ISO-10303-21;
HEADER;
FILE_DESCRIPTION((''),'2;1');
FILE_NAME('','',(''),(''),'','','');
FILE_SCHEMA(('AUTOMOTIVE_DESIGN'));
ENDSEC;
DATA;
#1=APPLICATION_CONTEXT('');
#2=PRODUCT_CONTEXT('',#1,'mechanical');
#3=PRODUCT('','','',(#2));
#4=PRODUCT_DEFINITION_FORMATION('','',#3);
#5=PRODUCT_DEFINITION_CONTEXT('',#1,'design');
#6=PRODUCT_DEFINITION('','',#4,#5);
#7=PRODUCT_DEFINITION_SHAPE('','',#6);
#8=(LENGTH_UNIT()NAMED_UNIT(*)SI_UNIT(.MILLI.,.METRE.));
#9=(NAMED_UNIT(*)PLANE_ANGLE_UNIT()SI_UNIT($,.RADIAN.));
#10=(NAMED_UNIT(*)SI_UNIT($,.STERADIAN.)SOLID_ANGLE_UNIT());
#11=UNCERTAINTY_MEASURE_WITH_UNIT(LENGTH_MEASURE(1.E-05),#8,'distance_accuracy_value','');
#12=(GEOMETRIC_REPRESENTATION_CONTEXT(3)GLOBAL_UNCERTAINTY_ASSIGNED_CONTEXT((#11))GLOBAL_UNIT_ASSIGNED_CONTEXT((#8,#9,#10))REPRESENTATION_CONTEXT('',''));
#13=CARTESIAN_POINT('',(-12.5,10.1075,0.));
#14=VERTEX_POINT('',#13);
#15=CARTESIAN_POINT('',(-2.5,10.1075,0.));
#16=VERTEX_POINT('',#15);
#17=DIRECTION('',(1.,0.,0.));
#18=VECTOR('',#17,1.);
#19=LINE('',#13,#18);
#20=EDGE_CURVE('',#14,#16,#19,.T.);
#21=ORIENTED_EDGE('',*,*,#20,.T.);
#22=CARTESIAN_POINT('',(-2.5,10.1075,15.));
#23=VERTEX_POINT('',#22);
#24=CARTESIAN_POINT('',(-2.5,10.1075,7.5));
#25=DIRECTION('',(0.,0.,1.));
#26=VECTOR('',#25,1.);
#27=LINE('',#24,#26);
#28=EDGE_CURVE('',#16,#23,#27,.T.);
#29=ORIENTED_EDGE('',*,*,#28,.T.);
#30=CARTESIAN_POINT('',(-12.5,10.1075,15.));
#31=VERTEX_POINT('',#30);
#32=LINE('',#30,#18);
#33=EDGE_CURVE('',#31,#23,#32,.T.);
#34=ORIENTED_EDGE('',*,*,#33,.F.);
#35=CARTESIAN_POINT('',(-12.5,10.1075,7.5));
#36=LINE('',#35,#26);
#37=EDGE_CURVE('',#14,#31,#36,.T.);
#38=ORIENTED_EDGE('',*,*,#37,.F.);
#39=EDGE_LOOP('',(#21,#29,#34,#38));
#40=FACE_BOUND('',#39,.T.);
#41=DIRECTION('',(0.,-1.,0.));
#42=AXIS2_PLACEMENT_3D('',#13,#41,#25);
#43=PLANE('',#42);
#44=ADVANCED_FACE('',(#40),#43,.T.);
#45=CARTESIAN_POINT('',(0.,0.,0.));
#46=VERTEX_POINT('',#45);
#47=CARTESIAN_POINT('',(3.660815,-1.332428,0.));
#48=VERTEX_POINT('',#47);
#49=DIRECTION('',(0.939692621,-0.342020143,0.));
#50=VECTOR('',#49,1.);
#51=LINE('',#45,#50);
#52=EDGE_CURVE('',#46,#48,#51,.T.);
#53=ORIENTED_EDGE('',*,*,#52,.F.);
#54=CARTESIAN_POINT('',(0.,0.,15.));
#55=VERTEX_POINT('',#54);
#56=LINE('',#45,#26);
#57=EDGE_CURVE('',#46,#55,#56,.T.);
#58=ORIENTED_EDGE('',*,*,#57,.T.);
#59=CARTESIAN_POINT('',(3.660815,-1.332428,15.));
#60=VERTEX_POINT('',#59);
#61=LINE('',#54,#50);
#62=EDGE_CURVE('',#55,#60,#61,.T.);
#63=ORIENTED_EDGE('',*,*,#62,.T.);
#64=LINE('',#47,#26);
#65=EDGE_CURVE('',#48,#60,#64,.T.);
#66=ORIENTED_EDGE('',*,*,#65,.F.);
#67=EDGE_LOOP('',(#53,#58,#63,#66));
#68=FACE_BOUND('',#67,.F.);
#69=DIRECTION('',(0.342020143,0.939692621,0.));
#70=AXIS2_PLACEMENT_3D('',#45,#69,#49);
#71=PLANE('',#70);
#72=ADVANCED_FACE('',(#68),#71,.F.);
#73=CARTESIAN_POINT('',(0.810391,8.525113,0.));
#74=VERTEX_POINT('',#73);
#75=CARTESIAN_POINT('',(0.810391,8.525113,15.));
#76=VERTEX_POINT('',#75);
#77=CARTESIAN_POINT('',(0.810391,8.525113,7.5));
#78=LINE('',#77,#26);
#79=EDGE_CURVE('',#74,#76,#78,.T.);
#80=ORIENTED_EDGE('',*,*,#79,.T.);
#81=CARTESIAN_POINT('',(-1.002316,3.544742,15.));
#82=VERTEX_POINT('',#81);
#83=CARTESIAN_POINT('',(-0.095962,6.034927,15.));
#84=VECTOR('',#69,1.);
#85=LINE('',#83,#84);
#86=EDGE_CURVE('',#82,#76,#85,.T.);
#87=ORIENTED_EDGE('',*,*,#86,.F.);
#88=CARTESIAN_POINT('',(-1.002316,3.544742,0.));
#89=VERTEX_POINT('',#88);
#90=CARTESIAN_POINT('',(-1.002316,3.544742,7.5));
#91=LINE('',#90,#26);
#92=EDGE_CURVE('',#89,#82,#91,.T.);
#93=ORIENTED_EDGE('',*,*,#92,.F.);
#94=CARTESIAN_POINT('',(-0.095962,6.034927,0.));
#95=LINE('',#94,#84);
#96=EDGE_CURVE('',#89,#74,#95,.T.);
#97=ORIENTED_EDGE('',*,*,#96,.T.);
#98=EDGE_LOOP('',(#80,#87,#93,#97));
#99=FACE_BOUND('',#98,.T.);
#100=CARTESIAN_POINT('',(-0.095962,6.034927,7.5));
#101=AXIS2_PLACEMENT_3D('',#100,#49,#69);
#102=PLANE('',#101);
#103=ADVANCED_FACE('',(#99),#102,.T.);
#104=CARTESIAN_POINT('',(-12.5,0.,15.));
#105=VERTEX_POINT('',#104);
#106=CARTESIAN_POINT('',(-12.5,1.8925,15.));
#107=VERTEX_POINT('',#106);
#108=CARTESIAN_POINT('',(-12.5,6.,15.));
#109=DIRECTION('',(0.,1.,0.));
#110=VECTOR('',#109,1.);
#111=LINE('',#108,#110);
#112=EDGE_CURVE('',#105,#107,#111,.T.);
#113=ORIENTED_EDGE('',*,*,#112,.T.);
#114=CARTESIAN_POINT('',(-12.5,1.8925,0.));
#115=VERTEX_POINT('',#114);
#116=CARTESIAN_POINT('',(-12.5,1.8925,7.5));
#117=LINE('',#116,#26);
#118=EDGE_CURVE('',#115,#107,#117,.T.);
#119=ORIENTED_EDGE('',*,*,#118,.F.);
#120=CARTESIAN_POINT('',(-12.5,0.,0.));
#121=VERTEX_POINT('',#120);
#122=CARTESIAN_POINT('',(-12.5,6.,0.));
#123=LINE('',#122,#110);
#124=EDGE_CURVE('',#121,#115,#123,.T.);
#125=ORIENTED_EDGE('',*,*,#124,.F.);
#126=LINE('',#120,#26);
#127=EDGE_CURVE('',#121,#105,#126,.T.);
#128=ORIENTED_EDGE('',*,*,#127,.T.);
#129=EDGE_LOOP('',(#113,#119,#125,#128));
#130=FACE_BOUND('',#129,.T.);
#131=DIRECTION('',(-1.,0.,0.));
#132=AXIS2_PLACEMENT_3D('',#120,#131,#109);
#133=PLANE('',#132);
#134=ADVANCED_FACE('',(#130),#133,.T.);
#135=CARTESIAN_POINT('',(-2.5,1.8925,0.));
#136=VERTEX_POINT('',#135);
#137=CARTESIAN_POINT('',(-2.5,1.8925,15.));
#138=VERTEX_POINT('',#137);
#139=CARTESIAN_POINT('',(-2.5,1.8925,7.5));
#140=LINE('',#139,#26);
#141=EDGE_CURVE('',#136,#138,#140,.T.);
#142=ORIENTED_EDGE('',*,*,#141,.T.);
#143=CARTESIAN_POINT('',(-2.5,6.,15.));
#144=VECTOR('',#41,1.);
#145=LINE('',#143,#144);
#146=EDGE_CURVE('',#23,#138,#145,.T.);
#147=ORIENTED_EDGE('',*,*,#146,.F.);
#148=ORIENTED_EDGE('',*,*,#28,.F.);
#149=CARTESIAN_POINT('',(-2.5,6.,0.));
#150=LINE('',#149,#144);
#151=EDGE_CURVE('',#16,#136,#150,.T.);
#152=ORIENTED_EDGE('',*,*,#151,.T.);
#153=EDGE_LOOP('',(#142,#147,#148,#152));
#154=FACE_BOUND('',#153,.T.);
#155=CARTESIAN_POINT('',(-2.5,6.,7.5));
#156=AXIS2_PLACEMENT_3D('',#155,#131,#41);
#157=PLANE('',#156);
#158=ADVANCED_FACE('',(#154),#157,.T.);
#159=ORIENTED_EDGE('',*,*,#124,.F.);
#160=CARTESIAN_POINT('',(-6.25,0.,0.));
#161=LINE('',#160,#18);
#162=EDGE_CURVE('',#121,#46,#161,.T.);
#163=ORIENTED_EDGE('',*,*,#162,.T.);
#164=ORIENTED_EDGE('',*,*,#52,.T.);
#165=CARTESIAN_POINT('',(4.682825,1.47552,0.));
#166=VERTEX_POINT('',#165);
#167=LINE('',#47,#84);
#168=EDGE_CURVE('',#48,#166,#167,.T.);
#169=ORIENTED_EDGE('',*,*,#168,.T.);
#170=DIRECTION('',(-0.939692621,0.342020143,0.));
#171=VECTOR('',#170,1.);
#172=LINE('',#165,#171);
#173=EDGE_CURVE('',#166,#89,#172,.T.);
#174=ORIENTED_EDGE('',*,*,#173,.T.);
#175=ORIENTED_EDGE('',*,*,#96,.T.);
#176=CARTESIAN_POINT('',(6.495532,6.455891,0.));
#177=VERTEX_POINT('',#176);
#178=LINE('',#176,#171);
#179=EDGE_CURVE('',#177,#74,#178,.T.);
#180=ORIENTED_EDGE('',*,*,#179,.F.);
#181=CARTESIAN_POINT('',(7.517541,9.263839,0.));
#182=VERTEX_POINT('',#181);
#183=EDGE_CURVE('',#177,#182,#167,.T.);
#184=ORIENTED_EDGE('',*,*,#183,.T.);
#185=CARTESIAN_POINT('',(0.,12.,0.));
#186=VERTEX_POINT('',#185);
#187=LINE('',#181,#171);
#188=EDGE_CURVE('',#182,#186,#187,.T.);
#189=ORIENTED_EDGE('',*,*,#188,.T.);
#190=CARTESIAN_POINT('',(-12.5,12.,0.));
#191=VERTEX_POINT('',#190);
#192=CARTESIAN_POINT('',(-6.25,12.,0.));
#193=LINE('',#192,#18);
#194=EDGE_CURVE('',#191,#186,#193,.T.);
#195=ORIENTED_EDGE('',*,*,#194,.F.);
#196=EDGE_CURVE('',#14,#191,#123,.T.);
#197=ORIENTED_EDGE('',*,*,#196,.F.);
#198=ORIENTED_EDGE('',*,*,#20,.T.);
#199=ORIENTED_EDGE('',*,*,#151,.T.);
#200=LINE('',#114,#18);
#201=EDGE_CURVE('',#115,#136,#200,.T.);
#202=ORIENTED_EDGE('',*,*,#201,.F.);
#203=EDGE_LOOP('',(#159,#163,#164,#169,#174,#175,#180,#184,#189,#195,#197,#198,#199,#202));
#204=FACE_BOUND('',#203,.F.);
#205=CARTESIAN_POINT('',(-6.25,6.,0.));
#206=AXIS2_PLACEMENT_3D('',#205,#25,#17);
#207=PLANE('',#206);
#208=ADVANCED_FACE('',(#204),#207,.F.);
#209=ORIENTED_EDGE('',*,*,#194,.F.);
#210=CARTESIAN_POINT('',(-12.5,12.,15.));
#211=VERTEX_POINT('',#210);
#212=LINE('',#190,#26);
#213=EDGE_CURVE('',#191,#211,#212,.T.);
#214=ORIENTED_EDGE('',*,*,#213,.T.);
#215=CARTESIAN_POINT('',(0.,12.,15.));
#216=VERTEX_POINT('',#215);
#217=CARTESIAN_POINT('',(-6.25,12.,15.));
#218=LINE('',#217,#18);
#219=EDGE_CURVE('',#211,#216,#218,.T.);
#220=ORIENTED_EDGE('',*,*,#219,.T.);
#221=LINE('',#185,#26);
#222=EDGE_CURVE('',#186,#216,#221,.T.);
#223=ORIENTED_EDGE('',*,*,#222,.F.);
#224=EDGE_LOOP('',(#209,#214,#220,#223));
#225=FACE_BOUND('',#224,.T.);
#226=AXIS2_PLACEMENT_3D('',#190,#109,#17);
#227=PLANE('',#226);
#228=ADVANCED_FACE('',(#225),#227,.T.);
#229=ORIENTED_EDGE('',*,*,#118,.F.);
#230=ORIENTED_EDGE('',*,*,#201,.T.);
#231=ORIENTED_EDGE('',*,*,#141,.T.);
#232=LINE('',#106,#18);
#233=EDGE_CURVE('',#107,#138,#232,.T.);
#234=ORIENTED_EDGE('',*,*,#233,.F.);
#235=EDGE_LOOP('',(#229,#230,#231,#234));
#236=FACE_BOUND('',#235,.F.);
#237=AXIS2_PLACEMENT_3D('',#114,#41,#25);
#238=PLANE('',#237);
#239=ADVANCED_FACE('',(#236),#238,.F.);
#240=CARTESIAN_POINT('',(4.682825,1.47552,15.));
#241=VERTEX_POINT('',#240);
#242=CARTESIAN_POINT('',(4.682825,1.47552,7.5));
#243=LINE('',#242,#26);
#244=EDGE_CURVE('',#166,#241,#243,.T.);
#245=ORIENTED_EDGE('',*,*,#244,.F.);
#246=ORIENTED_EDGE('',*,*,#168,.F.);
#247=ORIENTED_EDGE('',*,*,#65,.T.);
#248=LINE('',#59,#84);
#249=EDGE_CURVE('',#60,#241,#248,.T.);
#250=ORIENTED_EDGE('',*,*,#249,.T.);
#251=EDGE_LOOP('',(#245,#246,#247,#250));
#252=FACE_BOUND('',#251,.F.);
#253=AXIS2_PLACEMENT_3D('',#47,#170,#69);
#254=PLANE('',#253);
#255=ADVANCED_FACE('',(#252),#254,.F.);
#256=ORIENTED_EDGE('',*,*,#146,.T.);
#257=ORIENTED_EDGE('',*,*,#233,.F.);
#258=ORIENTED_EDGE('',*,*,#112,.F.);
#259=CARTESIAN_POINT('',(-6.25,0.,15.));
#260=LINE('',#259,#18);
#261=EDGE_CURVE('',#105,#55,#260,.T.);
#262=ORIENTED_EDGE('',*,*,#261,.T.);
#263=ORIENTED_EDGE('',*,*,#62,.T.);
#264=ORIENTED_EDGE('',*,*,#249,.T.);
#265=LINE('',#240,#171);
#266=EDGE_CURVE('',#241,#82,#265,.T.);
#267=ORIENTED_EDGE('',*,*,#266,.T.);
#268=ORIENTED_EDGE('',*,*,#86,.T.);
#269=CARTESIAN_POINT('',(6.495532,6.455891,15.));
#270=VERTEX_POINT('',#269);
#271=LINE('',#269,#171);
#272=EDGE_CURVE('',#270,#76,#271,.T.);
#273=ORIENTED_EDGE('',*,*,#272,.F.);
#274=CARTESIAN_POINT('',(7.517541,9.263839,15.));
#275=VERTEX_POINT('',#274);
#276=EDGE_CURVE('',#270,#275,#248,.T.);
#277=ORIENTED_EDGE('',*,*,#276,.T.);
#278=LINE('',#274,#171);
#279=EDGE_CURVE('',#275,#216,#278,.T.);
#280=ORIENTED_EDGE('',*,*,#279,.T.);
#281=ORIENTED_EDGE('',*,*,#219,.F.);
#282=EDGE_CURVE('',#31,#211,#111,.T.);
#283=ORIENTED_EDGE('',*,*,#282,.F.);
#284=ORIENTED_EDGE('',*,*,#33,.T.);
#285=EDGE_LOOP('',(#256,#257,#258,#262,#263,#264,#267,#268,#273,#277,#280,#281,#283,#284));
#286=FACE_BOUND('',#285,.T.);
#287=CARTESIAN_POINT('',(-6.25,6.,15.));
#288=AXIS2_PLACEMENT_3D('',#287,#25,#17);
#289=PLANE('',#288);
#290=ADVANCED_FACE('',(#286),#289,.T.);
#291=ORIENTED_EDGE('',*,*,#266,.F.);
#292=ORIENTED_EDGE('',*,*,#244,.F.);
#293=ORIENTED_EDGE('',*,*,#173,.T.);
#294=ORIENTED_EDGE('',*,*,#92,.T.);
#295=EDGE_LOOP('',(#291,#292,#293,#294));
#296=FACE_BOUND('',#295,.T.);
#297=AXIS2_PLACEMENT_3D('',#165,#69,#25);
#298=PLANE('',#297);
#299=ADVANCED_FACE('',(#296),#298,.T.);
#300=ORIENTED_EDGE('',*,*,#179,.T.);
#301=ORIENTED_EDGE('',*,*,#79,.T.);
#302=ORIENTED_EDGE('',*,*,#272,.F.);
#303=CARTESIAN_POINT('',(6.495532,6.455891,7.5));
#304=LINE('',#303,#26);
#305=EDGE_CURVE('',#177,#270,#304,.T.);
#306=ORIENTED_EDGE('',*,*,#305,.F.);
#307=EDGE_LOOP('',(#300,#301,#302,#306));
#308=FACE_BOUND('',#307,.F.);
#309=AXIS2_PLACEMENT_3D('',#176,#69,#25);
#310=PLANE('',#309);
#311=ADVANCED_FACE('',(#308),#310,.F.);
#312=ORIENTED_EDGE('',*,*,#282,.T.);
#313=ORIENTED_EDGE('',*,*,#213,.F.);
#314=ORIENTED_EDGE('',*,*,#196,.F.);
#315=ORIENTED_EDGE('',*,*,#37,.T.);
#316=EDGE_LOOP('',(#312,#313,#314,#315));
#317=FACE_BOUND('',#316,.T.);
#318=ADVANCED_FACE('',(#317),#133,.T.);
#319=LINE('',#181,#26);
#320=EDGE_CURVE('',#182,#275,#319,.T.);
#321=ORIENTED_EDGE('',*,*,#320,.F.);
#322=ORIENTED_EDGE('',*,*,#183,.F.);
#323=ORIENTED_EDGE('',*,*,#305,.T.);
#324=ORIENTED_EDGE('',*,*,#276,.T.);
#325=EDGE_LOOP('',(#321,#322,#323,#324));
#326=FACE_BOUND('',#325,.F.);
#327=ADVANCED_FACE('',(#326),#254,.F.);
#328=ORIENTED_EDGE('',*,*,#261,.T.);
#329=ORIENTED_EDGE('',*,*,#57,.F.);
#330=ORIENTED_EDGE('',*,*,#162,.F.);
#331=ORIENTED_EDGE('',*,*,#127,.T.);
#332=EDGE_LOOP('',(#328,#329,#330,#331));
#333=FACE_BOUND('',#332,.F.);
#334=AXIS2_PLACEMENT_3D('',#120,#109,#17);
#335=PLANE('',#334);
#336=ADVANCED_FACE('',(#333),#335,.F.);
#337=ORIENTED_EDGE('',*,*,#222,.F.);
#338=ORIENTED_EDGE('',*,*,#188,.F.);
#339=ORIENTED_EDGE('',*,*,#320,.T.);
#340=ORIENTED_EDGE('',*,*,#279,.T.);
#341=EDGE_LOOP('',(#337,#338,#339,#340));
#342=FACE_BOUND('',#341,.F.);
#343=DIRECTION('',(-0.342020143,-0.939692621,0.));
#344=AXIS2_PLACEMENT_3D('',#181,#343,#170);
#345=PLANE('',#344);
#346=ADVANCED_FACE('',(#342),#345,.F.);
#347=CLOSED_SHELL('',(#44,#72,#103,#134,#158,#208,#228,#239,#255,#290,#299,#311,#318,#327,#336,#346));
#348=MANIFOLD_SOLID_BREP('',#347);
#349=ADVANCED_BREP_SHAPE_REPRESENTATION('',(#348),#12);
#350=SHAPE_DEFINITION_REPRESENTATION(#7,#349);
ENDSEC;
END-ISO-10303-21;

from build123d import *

# Parameters (mm, degrees)
F0_W     = 12.5
F0_H     = 12
F1_DEPTH = 15
F2_W     = 8.215
F2_H     = 15
F3_DEPTH = 10
F4_W     = 5.3
F4_H     = 15
F5_DEPTH = 6.05


with BuildPart() as f1:
    # F0 (on Top) → F1 (new body)
    with BuildSketch(Plane.XY):
        with Locations((-6.25, 6)):
            Rectangle(F0_W, F0_H)
        Polygon((0, 12), (0, 0), (3.6608153082, -1.3324278053), (7.5175409663, 9.2638388534), align=None)
    extrude(amount=F1_DEPTH)

    # F2 (on face) → F3 (cut)
    with BuildSketch(Plane(origin=(-12.5, 0, 0), x_dir=(0, -1, 0), z_dir=(-1, 0, 0))):
        with Locations((-6, 7.5)):
            Rectangle(F2_W, F2_H)
    extrude(amount=-F3_DEPTH, mode=Mode.SUBTRACT)

    # F4 (on face) → F5 (cut)
    with BuildSketch(Plane(origin=(3.6608153082, -1.3324278053, 0), x_dir=(0.3420201433, 0.9396926208, 0), z_dir=(0.9396926208, -0.3420201433, 0))):
        with Locations((5.6381557247, 7.5)):
            Rectangle(F4_W, F4_H)
    extrude(amount=-F5_DEPTH, mode=Mode.SUBTRACT)


solid = f1.part
